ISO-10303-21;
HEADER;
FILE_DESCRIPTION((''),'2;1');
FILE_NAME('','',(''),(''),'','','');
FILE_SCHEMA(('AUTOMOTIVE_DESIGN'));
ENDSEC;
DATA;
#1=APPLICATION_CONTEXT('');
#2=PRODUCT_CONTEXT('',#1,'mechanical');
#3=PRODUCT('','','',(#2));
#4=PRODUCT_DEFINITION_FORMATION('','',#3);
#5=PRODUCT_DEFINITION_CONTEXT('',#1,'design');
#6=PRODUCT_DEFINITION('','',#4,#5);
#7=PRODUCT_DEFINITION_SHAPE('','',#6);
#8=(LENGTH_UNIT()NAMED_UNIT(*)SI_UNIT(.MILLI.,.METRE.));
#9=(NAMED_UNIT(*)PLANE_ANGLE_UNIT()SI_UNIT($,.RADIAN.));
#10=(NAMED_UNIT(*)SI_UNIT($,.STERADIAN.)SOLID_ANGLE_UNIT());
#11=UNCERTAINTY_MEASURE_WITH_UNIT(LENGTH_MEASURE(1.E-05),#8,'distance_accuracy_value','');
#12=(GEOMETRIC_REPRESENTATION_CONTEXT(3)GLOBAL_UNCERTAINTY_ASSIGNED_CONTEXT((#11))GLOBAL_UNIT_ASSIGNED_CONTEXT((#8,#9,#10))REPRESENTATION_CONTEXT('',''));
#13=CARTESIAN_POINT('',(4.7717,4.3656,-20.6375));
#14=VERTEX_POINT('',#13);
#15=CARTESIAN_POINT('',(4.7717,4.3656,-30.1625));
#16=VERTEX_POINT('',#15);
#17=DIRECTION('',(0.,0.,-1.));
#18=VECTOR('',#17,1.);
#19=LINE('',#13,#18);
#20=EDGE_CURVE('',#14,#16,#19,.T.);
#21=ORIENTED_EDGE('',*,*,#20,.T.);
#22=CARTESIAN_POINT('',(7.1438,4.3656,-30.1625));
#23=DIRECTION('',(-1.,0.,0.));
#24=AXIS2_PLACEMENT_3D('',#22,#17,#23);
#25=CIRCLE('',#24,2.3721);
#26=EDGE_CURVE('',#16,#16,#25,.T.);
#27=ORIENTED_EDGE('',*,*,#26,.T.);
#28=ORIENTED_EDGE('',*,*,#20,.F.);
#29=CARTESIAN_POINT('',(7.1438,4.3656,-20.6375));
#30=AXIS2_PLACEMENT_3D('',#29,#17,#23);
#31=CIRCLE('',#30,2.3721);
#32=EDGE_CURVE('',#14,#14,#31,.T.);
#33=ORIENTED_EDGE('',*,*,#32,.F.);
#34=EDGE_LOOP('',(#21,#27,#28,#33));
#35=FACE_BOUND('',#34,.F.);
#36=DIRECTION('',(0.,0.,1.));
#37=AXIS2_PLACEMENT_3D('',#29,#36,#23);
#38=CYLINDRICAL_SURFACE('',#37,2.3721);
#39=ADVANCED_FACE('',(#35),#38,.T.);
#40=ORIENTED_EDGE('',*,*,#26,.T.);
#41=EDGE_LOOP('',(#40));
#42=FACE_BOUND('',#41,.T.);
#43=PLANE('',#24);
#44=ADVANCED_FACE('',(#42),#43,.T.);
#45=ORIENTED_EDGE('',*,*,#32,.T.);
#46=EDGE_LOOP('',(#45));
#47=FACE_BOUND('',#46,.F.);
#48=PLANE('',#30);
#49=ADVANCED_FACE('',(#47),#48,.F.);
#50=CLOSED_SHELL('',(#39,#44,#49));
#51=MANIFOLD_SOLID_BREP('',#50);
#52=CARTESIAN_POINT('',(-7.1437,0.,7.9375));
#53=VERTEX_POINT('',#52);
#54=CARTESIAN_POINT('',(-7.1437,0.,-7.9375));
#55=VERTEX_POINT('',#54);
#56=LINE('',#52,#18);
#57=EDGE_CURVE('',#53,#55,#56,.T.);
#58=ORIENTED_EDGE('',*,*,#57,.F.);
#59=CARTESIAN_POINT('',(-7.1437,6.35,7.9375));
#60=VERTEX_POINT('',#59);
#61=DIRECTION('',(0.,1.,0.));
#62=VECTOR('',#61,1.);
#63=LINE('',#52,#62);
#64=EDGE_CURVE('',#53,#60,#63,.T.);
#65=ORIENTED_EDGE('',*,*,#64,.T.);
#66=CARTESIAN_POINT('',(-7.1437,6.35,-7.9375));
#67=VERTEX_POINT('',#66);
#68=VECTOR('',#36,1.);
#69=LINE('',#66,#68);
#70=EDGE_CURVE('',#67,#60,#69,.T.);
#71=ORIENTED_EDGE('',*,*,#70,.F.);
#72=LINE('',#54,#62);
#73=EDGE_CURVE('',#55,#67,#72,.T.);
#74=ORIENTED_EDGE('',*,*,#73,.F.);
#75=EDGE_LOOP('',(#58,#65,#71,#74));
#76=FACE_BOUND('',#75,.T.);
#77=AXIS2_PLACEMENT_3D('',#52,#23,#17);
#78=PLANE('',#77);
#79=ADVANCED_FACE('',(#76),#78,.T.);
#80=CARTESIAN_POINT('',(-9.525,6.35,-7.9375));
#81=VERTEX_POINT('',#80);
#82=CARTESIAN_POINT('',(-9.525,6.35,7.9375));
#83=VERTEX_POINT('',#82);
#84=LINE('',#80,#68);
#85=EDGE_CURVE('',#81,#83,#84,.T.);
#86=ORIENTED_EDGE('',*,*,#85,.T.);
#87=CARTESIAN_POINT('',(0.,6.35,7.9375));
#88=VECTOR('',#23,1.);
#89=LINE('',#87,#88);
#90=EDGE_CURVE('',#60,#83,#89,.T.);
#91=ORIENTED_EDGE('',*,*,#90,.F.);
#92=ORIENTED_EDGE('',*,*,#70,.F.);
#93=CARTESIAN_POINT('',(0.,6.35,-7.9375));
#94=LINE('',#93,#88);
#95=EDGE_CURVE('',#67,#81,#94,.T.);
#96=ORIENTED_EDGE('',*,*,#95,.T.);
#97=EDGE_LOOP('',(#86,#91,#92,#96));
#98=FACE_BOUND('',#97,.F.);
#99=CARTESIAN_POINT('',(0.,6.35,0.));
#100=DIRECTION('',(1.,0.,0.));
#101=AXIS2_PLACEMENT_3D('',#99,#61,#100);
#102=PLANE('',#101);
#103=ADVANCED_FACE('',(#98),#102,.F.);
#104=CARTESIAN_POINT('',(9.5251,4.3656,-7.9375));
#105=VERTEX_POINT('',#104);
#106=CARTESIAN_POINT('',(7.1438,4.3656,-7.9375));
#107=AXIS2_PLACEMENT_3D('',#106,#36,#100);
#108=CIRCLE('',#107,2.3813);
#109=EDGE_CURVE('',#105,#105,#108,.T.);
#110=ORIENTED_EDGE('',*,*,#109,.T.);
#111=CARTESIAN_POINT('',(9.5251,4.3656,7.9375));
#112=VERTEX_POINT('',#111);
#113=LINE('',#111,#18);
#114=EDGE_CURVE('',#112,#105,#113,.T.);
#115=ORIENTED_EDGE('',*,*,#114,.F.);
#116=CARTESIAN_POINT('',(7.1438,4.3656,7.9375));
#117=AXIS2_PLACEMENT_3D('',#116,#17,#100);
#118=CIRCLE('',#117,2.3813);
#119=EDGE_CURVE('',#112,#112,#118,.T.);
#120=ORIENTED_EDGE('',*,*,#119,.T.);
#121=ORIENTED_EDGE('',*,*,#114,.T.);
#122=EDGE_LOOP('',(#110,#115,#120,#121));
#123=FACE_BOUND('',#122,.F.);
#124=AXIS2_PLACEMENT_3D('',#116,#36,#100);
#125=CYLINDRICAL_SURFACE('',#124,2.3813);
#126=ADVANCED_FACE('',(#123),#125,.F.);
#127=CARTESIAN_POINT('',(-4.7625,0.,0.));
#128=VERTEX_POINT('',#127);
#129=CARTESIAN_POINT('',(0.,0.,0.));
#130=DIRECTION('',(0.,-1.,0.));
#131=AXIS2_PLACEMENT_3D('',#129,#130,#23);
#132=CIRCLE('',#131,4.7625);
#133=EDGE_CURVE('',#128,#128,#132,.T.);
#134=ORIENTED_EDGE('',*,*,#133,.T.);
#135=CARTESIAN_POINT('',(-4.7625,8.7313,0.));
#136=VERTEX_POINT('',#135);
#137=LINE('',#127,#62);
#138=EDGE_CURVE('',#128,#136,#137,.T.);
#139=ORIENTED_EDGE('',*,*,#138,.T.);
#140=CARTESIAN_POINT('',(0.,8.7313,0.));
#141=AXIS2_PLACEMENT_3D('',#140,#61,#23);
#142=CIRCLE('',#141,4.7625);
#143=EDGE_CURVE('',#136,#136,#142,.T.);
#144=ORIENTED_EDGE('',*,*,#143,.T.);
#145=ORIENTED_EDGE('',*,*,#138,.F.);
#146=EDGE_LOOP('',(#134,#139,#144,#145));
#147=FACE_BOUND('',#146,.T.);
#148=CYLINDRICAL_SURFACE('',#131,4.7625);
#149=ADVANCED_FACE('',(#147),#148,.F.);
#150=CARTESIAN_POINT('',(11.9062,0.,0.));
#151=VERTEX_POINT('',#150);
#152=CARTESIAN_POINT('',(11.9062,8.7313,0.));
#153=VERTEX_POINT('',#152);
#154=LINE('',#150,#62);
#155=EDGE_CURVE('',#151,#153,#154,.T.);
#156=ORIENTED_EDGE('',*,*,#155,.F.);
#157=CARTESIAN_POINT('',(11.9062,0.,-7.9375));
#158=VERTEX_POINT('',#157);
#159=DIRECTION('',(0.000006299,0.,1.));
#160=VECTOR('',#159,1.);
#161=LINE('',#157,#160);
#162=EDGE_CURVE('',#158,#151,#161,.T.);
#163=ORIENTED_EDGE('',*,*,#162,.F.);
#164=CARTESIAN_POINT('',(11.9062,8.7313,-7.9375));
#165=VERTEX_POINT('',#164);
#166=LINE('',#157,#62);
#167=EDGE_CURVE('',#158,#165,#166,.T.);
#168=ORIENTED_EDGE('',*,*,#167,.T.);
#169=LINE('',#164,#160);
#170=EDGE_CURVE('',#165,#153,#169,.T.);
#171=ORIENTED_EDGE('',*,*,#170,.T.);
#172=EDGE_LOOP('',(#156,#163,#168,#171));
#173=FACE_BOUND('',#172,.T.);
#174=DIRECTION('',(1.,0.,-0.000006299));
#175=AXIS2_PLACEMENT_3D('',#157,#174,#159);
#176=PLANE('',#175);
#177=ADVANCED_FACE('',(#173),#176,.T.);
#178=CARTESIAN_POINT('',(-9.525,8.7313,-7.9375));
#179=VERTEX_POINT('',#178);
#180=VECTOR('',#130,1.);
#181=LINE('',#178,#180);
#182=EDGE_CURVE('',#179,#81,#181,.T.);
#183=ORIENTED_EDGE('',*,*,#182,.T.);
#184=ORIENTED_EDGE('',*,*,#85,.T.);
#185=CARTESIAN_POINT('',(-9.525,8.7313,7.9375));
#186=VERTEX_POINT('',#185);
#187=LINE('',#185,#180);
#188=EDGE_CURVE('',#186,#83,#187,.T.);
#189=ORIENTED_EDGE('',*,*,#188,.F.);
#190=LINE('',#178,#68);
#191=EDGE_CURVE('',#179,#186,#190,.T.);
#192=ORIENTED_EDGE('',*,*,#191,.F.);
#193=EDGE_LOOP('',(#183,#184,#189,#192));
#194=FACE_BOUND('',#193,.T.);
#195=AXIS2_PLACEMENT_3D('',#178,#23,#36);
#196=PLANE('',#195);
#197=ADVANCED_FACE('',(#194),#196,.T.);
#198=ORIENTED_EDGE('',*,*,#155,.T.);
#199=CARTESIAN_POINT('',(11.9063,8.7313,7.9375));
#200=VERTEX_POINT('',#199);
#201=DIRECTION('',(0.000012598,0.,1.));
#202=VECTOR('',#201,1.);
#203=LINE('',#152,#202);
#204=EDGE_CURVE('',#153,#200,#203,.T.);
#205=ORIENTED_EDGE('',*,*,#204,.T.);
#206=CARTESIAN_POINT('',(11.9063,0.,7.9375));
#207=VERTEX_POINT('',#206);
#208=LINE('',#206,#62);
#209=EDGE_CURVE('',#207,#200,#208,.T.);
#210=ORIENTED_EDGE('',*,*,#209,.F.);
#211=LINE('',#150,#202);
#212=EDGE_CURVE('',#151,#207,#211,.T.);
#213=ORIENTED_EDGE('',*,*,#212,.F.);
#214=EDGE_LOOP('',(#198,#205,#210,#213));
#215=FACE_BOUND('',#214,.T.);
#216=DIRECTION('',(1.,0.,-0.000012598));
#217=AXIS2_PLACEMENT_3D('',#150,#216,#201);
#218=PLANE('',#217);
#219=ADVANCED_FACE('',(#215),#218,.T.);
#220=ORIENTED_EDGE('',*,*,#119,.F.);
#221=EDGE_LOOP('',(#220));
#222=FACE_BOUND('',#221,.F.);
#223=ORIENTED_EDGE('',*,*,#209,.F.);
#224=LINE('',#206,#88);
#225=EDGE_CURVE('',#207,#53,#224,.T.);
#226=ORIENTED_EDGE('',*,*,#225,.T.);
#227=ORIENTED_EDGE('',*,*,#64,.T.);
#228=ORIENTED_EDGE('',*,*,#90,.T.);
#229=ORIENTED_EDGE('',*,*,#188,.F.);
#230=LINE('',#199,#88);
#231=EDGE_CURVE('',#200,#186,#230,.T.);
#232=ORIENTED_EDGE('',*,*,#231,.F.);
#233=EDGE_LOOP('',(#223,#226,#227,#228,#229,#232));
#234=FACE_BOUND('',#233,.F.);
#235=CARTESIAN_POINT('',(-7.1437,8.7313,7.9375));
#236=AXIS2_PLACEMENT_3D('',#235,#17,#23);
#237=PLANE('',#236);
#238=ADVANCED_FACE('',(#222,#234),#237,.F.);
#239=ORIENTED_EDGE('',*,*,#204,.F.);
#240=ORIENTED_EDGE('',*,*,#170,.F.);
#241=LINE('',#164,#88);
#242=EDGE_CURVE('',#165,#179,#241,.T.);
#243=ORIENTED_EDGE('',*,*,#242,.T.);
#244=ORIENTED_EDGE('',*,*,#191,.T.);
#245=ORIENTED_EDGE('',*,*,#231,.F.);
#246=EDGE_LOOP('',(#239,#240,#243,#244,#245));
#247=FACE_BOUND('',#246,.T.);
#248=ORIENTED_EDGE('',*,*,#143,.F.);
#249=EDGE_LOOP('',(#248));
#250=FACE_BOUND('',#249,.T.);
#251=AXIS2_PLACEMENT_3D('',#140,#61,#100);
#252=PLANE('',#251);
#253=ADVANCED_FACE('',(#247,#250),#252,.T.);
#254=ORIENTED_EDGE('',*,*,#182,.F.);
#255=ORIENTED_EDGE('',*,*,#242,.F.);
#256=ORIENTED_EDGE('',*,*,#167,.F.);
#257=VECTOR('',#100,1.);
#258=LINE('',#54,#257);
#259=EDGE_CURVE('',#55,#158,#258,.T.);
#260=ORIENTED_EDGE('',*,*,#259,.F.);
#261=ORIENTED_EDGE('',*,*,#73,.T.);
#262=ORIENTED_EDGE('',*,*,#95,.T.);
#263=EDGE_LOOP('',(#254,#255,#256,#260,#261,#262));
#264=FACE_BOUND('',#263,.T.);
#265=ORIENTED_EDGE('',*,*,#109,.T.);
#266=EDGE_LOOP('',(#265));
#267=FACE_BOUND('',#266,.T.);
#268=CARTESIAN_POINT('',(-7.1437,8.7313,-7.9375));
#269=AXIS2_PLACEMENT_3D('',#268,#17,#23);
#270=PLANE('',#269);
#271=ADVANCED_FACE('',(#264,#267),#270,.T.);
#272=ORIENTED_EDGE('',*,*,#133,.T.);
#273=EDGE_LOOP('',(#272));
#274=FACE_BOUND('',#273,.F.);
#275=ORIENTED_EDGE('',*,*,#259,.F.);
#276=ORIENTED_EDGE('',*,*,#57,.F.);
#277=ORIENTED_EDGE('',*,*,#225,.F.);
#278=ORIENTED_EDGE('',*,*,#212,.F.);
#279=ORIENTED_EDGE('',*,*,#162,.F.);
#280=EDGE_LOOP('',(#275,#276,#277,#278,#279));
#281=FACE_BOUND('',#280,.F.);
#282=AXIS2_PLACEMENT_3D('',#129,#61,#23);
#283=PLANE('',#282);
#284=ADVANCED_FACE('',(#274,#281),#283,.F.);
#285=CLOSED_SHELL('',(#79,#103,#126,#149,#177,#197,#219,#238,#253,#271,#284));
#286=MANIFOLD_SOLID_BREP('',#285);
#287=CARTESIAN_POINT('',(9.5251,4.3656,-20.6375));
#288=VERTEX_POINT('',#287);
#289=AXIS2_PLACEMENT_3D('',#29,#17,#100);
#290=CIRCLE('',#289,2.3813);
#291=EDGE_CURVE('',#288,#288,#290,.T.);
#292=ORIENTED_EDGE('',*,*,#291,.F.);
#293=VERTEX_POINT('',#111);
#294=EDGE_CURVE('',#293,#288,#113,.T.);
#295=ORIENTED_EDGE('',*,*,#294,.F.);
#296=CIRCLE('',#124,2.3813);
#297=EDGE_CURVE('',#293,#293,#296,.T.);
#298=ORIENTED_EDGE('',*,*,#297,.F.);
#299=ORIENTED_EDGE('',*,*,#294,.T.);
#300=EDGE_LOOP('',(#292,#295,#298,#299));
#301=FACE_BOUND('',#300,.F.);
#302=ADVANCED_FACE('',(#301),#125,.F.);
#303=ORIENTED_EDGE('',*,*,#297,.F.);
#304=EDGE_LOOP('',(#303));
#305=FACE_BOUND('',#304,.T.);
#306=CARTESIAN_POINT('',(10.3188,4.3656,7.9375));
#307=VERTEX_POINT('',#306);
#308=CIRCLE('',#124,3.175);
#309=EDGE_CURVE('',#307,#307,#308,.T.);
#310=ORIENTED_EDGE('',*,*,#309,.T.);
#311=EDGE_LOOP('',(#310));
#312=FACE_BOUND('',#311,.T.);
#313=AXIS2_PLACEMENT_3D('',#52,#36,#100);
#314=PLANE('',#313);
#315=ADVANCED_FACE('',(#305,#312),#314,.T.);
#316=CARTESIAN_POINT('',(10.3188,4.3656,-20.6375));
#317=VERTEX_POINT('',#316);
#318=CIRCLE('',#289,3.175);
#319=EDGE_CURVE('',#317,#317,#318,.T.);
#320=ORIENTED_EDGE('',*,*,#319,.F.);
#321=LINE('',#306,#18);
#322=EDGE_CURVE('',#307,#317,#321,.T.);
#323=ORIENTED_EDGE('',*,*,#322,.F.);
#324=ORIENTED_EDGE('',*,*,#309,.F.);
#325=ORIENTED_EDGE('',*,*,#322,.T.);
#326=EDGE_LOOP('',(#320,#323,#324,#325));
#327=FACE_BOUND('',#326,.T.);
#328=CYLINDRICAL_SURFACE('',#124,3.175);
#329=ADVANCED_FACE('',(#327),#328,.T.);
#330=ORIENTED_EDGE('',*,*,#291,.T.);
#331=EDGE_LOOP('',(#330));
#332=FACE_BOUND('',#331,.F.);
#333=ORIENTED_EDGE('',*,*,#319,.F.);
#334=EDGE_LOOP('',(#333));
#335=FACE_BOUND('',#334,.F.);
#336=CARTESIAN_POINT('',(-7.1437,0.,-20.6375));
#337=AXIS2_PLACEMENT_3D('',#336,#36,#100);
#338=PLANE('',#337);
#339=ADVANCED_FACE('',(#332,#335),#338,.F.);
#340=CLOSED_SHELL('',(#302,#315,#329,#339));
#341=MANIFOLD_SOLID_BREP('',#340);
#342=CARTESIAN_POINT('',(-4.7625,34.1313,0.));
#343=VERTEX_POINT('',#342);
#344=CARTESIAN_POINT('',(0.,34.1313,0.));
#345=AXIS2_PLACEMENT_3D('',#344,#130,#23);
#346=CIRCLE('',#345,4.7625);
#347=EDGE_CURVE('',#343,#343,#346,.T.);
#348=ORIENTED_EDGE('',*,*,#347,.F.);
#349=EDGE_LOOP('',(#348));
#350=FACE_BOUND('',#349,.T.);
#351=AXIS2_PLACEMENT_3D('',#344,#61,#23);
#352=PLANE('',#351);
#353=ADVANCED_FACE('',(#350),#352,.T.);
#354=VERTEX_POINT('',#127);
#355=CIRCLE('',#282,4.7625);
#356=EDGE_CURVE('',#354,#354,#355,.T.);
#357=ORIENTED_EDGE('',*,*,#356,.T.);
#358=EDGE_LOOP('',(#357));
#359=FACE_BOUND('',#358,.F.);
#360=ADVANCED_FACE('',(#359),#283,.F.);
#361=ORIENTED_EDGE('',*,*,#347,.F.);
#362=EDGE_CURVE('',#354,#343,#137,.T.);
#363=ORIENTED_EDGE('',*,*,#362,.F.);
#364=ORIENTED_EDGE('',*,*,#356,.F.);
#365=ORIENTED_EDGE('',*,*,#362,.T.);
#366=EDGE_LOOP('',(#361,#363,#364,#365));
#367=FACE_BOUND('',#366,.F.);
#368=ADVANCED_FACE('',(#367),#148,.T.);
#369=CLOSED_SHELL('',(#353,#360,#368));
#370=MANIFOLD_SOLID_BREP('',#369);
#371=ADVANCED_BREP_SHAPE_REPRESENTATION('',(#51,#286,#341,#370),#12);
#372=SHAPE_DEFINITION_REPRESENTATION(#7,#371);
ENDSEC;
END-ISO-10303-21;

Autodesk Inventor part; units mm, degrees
ref_plane "YZ Plane" through (0, 0, 0) normal (1, 0, 0) x (0, 1, 0)
ref_plane "XZ Plane" through (0, 0, 0) normal (0, 1, 0) x (-1, 0, 0)
ref_plane "XY Plane" through (0, 0, 0) normal (0, 0, 1) x (1, 0, 0)
sketch "Sketch1" plane through (0, 0, 0) normal (0, 1, 0) x (-1, 0, 0)
  circle A0 centre (0, 0) radius 4.7625
  line L0 (0, 0) -> (-11.9062, 0)
  line L1 (-11.9062, 0) -> (-11.9063, 7.9375)
  line L2 (-11.9063, 7.9375) -> (7.1437, 7.9375)
  line L3 (7.1437, 7.9375) -> (7.1437, -7.9375)
  line L4 (7.1437, -7.9375) -> (-11.9062, -7.9375)
  line L5 (-11.9062, -7.9375) -> (-11.9063, 7.9375)
  line L6 (0, -7.9375) -> (9.525, -7.9375)
  line L7 (9.525, -7.9375) -> (9.525, 7.9375)
  line L8 (9.525, 7.9375) -> (0, 7.9375)
  line L9 (0, 7.9375) -> (0, -7.9375)
  point P0 (-11.9063, 0)
  dimension "d0" = 9.525
  dimension "d9" = 15.875
  dimension "d10" = 7.9375
  dimension "d11" = 11.9062
  dimension "d12" = 7.1437
  dimension "d22" = 9.525
extrude "Extrusion1" add sketch "Sketch1" along normal blind 34.1313 contours A0 L9 | L9 L0 A0 | A0 L0 L9
extrude "Extrusion3" add sketch "Sketch1" along normal blind 8.7313 separate body contours A0 L9 L2 L3 L4 | A0 L0 L1 L2 L9 | L9 L4 L5 L0 A0
sketch "Sketch3" plane through (-7.1437, 0, 7.9375) normal (0, 0, 1) x (1, 0, 0)
  line L0 (0, 0) -> (0, 8.7313) projected
  line L1 (0, 4.3656) -> (19.05, 4.3656)
  line L2 (19.05, 0) -> (19.05, 8.7313) projected
  circle A0 centre (14.2875, 4.3656) radius 3.175
  circle A1 centre (14.2875, 4.3656) radius 2.3813
  point P0 (7.1437, 0)
  dimension "d15" = 6.35
  dimension "d16" = 4.7625
  dimension "d17" = 4.7625
extrude "Extrusion4" add sketch "Sketch3" against normal blind 28.575 separate body contours A1 L1 A0 | L1 A0 A1
extrude "Extrusion5" cut sketch "Sketch3" against normal up to surface (15.875 mm away) contours A1 L1 | L1 A1 bodies 2
sketch "Sketch4" plane through (0, 8.7313, 0) normal (0, 1, 0) x (1, 0, 0)
  line L0 (-7.1437, -7.9375) -> (11.9063, -7.9375) projected
  line L1 (0, -7.9375) -> (-9.525, -7.9375)
  line L2 (11.9062, 7.9375) -> (-7.1437, 7.9375) projected
  line L3 (0, 7.9375) -> (-9.525, 7.9375)
  line L4 (-9.525, 7.9375) -> (-9.525, -7.9375)
  line L5 (-7.1437, 7.9375) -> (-7.1437, -7.9375) projected
  line L6 (-7.1437, -7.9375) -> (-7.1437, 7.9375)
  line L7 (0, 0) -> (0, -7.9375)
  point P0 (-7.1437, -7.9375)
  point P1 (-7.1437, 7.9375)
  dimension "d23" = 9.525
extrude "Extrusion6" add sketch "Sketch4" against normal blind 2.3813 bodies 2
sketch "Sketch5" plane through (-7.1437, 0, 7.9375) normal (0, 0, 1) x (1, 0, 0)
  line L0 (19.05, 8.7313) -> (-2.3813, 8.7313) projected
  line L1 (7.1437, 8.7313) -> (7.1437, 34.1313)
  line L2 (11.9062, 34.1313) -> (2.3813, 34.1313) projected
  circle A0 centre (7.1437, 30.9563) radius 1.5875
  point P0 (7.1437, 0)
  dimension "d26" = 3.175
  dimension "d27" = 3.175
sketch "Sketch6" plane through (7.1438, 4.3656, -20.6375) normal (0, 0, -1) x (-1, 0, 0)
  circle A0 centre (0, 0) radius 2.3721
  point P0 (7.1438, -4.3656)
extrude "Extrusion7" add sketch "Sketch6" along normal blind 9.525 bodies 3
equation "\"d0\" = tuningPegDiameter"
equation "\"d9\" = 2 * lockOffset"
equation "\"d10\" = lockOffset"
equation "\"d11\" = lockLongYOffset"
equation "\"d12\" = lockShortYOffset"
equation "\"d22\" = mountExtension"
equation "\"d1\" = tuningPegDepth"
equation "\"d13\" = lockWidth"
equation "\"d15\" = screwOutsideDiameter"
equation "\"d16\" = screwInsideDiameter"
equation "\"d17\" = screwOffset"
equation "\"d20\" = screwExtension"
equation "\"d23\" = mountExtension"
equation "\"d24\" = mountPlateDepth"
equation "\"tuningPegDiameter\" = 9.525"
equation "\"screwOffset\" = 4.7625"
equation "\"screwOutsideDiameter\" = 6.35"
equation "\"screwInsideDiameter\" = 4.7625"
equation "\"screwExtension\" = 12.7"
equation "\"mountPlateDepth\" = 2.38125"
equation "\"holeOffset\" = 3.175"
equation "\"lockOffset\" = 7.9375"
equation "\"mountExtension\" = 9.525"
equation "\"tuningPegDepth\" = 34.13125"
equation "\"lockWidth\" = 8.73125"
equation "\"lockLongYOffset\" = 11.90625"
equation "\"lockShortYOffset\" = 7.14375"
properties part number "TuningPeg"
